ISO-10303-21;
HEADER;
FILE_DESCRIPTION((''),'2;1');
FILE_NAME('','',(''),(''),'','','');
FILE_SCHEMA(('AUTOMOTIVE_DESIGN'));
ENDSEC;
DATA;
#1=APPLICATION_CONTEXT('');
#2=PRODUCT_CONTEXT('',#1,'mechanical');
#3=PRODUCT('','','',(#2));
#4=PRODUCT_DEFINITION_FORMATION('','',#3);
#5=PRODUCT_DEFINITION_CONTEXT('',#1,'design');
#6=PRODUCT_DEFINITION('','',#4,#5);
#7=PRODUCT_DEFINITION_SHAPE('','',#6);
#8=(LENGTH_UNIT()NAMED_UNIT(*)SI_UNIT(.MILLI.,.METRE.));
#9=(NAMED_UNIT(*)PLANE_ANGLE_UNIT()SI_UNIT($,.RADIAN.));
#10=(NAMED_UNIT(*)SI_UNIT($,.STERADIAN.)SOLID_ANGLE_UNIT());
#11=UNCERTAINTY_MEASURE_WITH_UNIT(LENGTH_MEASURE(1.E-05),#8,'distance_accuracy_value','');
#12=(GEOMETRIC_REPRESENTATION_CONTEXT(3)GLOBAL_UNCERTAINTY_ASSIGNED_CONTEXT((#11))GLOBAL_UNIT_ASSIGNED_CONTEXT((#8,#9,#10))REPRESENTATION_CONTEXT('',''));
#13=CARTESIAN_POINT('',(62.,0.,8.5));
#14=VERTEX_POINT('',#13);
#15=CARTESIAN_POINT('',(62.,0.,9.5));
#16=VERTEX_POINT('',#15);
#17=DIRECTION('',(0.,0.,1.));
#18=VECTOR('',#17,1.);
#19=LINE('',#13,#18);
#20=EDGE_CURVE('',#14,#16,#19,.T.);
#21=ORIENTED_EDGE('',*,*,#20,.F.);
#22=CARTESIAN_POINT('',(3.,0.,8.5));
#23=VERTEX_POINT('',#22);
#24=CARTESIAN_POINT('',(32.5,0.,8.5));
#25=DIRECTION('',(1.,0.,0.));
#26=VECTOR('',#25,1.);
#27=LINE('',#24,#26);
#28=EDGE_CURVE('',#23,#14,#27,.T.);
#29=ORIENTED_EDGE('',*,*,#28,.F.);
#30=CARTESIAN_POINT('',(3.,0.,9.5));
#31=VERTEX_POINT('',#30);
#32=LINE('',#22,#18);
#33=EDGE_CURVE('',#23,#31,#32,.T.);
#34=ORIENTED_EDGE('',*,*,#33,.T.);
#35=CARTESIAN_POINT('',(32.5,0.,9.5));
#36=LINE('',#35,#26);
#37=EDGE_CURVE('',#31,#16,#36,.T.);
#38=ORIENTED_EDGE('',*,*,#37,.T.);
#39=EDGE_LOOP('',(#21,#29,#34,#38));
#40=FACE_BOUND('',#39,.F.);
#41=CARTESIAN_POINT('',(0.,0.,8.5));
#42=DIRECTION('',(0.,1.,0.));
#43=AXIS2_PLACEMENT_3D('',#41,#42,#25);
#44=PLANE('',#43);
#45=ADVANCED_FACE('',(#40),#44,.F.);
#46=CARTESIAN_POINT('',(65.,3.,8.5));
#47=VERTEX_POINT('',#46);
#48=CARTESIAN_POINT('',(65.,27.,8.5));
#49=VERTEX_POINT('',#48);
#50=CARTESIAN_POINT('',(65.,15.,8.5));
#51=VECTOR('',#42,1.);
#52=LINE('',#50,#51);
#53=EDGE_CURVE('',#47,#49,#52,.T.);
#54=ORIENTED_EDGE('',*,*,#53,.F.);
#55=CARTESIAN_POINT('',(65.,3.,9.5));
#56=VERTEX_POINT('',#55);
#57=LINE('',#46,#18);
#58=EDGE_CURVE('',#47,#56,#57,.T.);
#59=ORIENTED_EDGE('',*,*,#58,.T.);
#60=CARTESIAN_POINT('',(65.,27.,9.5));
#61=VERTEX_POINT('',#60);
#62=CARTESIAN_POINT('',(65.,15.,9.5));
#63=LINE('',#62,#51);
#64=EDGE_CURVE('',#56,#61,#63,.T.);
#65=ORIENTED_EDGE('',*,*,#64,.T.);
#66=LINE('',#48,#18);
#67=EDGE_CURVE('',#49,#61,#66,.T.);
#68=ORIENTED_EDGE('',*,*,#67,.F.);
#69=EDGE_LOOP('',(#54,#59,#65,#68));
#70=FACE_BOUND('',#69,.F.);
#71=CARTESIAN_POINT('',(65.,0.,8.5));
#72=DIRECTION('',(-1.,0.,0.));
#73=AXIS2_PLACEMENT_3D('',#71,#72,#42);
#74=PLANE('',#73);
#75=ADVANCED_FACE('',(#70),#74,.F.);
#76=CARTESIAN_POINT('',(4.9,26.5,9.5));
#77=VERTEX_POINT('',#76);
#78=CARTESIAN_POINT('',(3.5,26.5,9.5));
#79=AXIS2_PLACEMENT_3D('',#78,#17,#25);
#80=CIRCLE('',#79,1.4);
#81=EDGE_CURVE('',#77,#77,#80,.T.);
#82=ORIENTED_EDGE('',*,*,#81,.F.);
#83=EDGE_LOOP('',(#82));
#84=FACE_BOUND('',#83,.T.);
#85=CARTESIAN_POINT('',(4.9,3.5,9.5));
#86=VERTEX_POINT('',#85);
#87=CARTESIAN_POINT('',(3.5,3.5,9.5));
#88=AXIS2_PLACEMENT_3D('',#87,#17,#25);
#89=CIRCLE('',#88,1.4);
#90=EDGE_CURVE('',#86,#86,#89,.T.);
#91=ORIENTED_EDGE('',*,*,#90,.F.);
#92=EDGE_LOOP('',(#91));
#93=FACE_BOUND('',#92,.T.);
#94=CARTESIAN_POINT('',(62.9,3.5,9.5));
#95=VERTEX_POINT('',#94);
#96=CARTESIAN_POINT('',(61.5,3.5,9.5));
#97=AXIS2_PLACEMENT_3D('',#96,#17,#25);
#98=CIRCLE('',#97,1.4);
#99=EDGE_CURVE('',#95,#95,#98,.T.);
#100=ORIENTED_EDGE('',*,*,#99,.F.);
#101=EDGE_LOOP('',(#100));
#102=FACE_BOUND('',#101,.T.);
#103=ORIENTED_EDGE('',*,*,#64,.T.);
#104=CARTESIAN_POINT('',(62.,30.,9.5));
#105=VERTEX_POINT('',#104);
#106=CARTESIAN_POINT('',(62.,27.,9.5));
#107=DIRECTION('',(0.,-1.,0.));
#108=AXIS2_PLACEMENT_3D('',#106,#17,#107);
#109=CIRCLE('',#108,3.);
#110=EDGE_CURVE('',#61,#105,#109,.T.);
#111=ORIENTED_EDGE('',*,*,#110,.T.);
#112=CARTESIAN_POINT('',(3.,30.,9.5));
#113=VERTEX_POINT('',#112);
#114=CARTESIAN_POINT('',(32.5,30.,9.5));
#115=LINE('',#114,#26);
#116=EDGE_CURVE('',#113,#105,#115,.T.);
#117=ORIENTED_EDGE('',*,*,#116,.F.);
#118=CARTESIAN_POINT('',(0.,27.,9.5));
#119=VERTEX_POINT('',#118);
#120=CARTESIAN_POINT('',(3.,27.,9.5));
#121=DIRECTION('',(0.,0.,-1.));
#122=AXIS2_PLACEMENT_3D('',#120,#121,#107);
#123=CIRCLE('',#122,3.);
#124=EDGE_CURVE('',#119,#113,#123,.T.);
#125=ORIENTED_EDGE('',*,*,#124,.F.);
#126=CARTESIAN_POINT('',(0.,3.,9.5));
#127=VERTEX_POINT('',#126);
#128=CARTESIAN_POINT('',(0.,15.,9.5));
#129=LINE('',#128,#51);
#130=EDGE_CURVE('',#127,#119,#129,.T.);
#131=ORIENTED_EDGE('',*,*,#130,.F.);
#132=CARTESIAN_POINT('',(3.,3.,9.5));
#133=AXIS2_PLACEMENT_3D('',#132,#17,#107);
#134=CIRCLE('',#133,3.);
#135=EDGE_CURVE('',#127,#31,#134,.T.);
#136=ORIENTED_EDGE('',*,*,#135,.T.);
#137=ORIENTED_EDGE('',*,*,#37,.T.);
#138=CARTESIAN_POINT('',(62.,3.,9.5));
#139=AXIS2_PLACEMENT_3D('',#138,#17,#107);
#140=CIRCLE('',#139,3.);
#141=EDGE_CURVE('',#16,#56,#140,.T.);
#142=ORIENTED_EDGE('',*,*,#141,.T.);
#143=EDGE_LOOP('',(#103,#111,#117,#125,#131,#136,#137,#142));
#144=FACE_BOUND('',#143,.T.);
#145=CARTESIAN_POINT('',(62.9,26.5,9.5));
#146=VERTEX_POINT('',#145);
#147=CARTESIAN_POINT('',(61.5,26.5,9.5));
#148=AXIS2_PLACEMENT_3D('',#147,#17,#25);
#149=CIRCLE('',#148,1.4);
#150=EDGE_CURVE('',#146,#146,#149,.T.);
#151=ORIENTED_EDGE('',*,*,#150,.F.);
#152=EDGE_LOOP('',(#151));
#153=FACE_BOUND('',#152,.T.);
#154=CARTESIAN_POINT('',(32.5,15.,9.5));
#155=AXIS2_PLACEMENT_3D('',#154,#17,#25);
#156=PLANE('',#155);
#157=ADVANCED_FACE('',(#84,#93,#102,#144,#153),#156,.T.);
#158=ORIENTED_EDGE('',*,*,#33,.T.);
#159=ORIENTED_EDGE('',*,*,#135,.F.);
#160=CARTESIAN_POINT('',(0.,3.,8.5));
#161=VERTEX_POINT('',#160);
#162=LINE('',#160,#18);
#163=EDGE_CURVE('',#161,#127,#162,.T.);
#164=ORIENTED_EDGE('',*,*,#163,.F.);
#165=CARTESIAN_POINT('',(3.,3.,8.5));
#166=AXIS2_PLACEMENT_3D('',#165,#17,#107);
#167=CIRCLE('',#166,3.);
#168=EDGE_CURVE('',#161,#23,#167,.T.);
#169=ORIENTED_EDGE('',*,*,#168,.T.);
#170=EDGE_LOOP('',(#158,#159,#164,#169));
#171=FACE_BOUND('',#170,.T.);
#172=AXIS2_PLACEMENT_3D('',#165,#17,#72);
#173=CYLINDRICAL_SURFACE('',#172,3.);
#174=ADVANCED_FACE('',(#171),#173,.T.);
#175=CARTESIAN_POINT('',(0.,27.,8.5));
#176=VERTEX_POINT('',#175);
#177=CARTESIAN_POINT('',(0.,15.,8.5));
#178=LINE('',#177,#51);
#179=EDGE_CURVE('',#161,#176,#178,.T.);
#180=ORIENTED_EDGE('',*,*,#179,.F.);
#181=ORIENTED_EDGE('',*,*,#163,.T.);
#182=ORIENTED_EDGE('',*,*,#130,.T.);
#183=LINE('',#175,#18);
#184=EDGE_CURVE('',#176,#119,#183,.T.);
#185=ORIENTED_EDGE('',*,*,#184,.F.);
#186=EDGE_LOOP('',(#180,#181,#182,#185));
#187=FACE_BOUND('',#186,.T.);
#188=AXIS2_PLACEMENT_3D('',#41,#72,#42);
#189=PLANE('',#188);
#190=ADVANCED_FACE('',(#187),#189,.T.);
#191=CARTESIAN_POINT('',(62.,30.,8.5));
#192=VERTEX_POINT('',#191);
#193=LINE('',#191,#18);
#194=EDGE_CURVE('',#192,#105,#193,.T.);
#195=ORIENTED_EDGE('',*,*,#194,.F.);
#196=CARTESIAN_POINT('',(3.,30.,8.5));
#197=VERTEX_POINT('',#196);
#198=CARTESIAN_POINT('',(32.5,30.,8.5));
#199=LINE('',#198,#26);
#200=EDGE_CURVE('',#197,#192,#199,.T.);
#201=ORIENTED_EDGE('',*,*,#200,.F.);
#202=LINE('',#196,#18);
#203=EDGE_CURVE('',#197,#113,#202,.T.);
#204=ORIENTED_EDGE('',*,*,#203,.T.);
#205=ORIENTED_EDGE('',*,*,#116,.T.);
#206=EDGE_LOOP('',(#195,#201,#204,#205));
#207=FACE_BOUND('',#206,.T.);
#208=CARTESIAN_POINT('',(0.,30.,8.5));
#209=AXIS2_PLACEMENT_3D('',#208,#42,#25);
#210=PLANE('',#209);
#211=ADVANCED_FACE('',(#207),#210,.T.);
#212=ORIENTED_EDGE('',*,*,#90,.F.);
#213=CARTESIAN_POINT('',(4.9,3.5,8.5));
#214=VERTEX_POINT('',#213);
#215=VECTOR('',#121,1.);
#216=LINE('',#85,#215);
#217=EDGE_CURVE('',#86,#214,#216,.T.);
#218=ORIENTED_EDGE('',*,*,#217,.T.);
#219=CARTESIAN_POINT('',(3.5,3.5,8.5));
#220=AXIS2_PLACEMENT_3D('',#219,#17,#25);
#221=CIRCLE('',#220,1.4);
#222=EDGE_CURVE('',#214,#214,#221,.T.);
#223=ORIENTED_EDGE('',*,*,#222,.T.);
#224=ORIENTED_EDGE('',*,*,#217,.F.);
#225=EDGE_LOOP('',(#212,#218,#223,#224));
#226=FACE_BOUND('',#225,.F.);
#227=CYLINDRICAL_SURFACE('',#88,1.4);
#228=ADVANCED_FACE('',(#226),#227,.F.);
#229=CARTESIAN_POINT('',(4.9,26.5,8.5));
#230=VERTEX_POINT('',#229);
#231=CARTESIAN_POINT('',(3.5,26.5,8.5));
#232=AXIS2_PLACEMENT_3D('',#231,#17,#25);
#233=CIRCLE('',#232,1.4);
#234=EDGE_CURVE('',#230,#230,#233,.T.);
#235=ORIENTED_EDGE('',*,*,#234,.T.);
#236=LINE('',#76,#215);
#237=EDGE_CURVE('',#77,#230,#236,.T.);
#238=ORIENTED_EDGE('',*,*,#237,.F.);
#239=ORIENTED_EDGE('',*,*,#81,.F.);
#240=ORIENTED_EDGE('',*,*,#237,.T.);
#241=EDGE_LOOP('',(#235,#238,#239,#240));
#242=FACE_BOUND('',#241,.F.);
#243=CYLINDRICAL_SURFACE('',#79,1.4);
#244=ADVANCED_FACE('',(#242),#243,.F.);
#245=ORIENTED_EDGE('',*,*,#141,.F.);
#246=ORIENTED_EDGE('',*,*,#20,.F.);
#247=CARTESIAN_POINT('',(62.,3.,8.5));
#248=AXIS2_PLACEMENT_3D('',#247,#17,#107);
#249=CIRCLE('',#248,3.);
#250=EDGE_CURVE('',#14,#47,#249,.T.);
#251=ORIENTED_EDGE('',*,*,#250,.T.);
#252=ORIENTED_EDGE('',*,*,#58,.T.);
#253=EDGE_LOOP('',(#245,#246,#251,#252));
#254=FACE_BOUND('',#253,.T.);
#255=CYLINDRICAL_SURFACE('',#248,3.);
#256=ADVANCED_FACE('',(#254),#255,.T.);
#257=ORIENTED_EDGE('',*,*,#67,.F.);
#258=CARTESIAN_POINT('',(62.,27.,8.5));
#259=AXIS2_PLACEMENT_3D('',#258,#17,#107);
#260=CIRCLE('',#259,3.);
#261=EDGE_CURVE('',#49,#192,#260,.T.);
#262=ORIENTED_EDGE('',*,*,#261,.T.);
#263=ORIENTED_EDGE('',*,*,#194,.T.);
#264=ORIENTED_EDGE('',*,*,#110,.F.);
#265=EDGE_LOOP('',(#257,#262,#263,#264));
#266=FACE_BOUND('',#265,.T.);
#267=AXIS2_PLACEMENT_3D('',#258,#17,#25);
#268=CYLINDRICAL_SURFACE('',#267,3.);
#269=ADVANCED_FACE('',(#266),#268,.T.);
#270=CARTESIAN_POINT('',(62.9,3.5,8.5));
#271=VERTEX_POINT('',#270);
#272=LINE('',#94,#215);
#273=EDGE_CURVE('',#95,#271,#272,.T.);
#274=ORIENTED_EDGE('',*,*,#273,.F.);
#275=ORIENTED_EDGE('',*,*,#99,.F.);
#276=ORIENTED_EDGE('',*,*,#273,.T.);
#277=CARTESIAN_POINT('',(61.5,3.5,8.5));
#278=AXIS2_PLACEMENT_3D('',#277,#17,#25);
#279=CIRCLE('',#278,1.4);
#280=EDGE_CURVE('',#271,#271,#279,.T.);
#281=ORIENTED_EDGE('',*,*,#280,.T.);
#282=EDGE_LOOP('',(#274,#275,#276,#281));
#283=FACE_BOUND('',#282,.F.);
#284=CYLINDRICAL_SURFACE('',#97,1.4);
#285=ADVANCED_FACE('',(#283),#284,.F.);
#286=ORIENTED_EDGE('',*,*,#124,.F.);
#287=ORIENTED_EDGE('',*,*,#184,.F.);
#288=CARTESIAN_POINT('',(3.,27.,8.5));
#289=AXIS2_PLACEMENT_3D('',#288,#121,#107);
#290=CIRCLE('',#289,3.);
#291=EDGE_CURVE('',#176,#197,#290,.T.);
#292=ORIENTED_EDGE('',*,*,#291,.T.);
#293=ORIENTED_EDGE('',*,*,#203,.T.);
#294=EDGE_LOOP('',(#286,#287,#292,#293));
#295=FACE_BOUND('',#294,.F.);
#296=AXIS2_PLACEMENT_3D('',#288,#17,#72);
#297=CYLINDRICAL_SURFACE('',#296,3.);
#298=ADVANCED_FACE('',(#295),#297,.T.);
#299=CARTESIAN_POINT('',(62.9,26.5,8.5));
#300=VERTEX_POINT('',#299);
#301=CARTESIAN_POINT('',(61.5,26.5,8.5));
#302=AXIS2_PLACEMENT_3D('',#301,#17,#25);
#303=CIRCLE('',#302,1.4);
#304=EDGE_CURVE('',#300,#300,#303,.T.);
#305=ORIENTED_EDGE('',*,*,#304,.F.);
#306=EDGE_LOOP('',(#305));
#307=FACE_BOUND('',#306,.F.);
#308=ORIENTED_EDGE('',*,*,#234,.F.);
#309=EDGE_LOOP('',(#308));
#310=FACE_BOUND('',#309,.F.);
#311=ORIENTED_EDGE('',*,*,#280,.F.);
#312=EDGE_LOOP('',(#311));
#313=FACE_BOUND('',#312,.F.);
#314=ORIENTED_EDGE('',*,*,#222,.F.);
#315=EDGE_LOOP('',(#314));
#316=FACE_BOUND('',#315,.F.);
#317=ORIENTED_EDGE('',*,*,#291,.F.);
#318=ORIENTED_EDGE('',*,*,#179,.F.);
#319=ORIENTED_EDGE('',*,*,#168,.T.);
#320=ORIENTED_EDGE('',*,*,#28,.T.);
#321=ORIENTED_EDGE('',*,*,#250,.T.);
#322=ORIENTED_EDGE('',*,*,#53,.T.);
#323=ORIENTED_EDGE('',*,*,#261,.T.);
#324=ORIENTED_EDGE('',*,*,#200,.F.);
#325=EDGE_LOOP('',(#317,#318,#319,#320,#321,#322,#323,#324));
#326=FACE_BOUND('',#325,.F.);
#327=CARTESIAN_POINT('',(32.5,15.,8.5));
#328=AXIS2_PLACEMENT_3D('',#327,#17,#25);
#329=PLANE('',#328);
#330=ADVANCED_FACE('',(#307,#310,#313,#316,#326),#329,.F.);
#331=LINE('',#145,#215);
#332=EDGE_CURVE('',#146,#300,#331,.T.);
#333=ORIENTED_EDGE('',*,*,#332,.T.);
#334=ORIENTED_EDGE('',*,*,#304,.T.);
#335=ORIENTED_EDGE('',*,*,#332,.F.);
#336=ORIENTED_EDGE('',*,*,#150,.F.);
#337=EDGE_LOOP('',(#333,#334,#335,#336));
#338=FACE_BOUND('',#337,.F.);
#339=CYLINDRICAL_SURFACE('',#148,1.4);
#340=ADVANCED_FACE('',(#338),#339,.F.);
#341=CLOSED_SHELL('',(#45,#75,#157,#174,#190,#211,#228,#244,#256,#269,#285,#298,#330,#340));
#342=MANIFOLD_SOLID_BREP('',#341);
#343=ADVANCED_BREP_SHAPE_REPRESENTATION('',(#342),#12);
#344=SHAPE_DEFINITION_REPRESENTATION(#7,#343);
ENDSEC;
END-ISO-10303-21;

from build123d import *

# Parameters (mm, degrees)
SKETCH015_W            = 65
SKETCH015_H            = 30
PAD012_DEPTH           = 1
FILLET006_R            = 3
SKETCH016_R            = 1.4
POCKET002_DEPTH        = 5
LINEARPATTERN006_COUNT = 2
LINEARPATTERN006_PITCH = 58


with BuildPart() as part:
    # Sketch015 (on Face1 of ReferencePad011) → Pad012 (new body)
    with BuildSketch(Plane.XY.offset(8.5)):
        with Locations((32.5, 15)):
            Rectangle(SKETCH015_W, SKETCH015_H)
    extrude(amount=PAD012_DEPTH)

    # Fillet006
    fillet006_edges = [part.edges().sort_by_distance(p)[0] for p in [
        (0, 0, 9),
        (0, 30, 9),
        (65, 30, 9),
        (65, 0, 9),
    ]]
    fillet(fillet006_edges, radius=FILLET006_R)

    # Sketch016 (on Face5 of Fillet006) → Pocket002 (cut)
    with BuildSketch(Plane.XY.offset(9.5)):
        with Locations((3.5, 3.5)):
            Circle(SKETCH016_R)
        with Locations((3.5, 26.5)):
            Circle(SKETCH016_R)
    pocket002 = extrude(amount=-POCKET002_DEPTH, mode=Mode.SUBTRACT)

    # LinearPattern006: Pocket002 ×2
    with Locations(*[(i * LINEARPATTERN006_PITCH, 0, 0) for i in range(1, LINEARPATTERN006_COUNT)]):
        add(pocket002, mode=Mode.SUBTRACT)


solid = part.part
